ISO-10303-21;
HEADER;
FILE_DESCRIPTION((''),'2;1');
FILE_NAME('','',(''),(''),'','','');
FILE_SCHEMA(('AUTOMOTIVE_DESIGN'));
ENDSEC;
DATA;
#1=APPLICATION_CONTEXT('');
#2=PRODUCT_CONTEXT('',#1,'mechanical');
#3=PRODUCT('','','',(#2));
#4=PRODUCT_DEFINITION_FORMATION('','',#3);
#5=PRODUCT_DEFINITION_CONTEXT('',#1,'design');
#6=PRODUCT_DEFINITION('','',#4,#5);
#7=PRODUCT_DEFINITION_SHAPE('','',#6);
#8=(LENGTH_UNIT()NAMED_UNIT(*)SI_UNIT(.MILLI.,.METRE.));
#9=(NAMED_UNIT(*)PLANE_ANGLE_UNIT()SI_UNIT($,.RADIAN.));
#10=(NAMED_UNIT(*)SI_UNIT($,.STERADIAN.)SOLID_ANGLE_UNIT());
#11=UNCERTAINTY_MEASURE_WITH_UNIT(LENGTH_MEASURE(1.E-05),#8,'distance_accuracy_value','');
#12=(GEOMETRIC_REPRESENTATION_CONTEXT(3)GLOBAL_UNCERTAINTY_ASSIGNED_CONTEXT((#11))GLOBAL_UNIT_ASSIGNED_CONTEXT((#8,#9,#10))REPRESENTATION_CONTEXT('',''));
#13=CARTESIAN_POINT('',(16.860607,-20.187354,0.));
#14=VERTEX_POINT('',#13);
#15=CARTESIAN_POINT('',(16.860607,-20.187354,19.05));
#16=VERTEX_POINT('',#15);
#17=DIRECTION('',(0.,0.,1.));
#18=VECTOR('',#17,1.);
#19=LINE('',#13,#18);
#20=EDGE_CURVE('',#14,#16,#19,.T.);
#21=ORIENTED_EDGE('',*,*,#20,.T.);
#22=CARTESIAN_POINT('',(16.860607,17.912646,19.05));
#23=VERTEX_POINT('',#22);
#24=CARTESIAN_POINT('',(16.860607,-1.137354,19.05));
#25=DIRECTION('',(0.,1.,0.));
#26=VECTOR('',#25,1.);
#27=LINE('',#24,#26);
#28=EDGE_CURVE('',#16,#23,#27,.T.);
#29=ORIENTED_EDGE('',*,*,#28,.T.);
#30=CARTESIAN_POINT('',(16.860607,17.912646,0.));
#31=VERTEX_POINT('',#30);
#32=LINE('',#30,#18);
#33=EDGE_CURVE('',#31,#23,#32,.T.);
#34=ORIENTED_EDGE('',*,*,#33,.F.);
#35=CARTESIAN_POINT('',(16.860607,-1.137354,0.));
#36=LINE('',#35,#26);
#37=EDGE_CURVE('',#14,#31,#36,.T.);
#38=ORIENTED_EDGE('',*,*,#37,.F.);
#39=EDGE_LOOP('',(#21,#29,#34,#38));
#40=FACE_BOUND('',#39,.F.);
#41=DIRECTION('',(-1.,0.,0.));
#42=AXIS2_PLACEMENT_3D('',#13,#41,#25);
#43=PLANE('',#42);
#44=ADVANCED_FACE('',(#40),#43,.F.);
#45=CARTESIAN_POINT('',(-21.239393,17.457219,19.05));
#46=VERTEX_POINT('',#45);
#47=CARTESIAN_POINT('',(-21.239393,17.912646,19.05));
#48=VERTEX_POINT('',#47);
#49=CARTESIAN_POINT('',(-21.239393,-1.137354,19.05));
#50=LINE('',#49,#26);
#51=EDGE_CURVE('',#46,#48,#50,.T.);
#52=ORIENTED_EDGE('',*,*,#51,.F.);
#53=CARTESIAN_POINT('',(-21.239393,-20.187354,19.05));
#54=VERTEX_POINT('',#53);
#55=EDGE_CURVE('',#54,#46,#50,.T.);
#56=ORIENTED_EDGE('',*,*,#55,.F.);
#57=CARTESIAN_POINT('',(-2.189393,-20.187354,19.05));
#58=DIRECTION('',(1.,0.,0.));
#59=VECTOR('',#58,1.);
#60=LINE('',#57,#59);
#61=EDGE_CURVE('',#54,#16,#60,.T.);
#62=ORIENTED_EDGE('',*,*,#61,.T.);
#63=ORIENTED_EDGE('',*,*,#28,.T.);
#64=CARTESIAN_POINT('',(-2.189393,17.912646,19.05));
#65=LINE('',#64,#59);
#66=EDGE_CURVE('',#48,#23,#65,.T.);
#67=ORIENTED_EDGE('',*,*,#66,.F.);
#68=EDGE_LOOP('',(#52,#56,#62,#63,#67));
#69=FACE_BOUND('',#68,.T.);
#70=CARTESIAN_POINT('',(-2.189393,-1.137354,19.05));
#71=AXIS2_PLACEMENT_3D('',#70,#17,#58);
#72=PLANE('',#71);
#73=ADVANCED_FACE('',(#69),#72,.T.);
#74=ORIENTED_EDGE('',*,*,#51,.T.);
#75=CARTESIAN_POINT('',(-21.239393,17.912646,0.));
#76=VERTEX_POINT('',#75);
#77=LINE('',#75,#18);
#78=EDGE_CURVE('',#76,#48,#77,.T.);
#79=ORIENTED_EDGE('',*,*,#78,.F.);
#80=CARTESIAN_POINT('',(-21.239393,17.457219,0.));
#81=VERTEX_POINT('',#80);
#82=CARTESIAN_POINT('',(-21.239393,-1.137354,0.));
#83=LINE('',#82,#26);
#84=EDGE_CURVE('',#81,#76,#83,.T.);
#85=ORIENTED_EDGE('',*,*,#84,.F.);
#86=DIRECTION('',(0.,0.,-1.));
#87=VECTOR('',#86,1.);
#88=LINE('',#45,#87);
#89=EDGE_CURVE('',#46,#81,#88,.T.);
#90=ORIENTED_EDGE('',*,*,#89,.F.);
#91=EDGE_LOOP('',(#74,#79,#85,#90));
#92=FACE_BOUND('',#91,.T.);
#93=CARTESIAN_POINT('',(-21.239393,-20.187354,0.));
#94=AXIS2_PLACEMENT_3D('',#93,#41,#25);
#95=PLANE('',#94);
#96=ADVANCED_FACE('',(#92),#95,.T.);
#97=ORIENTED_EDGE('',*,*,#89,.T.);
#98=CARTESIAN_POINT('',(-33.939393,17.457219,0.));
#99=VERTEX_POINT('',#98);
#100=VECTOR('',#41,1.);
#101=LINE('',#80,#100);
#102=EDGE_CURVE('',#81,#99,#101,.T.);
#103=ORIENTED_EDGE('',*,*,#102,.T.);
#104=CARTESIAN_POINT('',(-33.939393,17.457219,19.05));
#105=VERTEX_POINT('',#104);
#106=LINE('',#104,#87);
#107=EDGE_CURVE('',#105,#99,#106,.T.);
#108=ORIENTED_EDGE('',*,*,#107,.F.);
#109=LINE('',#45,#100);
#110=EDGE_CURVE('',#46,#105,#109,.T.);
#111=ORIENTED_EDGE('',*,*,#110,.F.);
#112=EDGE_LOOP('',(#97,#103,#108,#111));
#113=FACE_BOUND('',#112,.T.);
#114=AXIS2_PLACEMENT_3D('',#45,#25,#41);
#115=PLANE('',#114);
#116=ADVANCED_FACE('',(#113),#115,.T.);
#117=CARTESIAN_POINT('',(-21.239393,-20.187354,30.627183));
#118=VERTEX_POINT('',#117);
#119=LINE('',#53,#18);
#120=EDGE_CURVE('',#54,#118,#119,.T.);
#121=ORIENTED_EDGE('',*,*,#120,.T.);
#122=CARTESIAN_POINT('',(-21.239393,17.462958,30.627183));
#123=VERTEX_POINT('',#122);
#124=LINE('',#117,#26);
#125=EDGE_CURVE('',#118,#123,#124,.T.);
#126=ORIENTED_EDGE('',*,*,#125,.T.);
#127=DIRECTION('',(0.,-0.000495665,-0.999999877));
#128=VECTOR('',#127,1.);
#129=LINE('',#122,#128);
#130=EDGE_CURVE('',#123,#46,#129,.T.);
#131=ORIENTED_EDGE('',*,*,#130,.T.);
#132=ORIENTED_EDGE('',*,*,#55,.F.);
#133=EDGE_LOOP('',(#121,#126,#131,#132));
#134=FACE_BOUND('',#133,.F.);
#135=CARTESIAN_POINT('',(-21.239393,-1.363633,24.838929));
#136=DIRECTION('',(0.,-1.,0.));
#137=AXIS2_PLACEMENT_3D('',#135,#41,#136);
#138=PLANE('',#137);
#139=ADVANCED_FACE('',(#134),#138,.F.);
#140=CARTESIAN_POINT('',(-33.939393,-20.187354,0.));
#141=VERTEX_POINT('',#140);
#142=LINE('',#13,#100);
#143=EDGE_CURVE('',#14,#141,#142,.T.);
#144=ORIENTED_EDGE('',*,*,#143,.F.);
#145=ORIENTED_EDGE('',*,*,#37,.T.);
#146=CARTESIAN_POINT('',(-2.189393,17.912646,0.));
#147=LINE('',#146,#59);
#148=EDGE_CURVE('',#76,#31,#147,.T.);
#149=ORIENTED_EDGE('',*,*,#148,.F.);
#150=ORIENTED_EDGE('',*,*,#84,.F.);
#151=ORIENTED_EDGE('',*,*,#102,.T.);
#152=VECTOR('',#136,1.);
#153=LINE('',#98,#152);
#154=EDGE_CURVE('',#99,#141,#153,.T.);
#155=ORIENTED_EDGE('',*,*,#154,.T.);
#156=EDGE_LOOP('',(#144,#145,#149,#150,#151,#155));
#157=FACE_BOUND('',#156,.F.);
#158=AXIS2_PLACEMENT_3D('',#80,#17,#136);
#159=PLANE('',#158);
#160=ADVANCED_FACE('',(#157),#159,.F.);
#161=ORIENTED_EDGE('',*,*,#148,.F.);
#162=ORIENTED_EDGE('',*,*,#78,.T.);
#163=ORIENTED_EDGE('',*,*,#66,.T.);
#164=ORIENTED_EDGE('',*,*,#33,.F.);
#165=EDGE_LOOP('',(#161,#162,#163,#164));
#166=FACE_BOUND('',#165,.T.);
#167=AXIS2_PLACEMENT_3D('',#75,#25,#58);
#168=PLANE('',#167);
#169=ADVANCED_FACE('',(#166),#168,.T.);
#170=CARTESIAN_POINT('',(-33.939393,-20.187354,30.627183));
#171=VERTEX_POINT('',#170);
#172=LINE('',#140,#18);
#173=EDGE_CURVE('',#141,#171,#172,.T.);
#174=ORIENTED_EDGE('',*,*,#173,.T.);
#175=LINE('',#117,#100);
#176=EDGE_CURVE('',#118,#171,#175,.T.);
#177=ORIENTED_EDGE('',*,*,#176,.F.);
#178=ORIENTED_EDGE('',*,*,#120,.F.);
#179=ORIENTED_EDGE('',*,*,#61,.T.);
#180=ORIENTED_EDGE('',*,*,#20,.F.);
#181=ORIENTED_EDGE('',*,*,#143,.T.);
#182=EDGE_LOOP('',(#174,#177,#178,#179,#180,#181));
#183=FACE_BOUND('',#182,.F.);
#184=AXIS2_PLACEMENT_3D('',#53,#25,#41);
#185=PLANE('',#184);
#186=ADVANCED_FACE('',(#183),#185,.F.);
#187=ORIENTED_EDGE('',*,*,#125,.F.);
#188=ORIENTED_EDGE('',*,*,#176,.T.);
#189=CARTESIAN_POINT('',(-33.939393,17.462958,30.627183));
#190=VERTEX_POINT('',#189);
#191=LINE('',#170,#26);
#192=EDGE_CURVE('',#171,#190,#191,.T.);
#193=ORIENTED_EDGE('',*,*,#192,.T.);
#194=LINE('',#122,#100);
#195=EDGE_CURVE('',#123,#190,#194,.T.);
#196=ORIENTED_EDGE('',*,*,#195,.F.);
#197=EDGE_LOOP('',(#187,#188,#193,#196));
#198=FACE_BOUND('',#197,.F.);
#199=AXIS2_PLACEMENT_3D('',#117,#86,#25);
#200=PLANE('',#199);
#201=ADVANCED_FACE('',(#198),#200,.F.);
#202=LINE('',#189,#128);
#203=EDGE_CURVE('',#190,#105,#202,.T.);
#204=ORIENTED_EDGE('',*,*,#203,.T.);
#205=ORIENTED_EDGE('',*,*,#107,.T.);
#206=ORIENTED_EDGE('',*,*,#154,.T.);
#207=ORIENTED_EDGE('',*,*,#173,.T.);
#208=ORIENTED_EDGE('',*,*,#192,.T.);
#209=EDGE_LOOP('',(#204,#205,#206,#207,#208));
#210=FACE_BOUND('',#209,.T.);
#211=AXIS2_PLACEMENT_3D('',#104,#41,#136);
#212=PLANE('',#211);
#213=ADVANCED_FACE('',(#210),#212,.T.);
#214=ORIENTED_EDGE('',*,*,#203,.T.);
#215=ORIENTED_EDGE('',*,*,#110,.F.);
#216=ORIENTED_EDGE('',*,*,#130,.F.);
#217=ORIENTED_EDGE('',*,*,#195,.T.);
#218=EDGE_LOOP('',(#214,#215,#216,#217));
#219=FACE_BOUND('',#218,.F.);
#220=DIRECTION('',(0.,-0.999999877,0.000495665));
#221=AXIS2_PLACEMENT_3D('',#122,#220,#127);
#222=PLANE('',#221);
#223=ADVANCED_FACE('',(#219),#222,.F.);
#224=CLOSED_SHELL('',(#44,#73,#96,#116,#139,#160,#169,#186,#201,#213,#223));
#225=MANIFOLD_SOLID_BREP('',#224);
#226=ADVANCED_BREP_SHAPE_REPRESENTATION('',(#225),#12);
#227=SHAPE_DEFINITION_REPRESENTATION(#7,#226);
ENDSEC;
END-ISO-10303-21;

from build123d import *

# Parameters (mm, degrees)
F0_W     = 38.1
F0_H     = 38.1
F1_DEPTH = 19.05
F3_DEPTH = 12.7
F4_DEPTH = 19.05


with BuildPart() as f1:
    # F0 (on Top) → F1 (new body)
    with BuildSketch(Plane.XY):
        with Locations((-2.1893925067, -1.1373543657)):
            Rectangle(F0_W, F0_H)
    extrude(amount=F1_DEPTH)



with BuildPart() as f3:
    # F2 (on face) → F3 (new body)
    with BuildSketch(Plane(origin=(-21.2393925067, 0, 0), x_dir=(0, -1, 0), z_dir=(-1, 0, 0))):
        Polygon((-17.4572191403, 19.05), (20.1873543657, 19.05), (20.1873543657, 30.6271831505), (-17.4629575457, 30.6271831505), align=None)
    extrude(amount=F3_DEPTH)


with BuildPart() as f1_1:
    add(f1.part)
    # F4 (add): a face of the model
    f4_faces = [f3.part.faces().sort_by_distance(p)[0] for p in [
        (-27.5893925067, -1.3650676127, 19.05),
    ]]

    add(f3.part)  # F4 merges F3
    extrude(f4_faces, amount=F4_DEPTH)


solid = f1_1.part
